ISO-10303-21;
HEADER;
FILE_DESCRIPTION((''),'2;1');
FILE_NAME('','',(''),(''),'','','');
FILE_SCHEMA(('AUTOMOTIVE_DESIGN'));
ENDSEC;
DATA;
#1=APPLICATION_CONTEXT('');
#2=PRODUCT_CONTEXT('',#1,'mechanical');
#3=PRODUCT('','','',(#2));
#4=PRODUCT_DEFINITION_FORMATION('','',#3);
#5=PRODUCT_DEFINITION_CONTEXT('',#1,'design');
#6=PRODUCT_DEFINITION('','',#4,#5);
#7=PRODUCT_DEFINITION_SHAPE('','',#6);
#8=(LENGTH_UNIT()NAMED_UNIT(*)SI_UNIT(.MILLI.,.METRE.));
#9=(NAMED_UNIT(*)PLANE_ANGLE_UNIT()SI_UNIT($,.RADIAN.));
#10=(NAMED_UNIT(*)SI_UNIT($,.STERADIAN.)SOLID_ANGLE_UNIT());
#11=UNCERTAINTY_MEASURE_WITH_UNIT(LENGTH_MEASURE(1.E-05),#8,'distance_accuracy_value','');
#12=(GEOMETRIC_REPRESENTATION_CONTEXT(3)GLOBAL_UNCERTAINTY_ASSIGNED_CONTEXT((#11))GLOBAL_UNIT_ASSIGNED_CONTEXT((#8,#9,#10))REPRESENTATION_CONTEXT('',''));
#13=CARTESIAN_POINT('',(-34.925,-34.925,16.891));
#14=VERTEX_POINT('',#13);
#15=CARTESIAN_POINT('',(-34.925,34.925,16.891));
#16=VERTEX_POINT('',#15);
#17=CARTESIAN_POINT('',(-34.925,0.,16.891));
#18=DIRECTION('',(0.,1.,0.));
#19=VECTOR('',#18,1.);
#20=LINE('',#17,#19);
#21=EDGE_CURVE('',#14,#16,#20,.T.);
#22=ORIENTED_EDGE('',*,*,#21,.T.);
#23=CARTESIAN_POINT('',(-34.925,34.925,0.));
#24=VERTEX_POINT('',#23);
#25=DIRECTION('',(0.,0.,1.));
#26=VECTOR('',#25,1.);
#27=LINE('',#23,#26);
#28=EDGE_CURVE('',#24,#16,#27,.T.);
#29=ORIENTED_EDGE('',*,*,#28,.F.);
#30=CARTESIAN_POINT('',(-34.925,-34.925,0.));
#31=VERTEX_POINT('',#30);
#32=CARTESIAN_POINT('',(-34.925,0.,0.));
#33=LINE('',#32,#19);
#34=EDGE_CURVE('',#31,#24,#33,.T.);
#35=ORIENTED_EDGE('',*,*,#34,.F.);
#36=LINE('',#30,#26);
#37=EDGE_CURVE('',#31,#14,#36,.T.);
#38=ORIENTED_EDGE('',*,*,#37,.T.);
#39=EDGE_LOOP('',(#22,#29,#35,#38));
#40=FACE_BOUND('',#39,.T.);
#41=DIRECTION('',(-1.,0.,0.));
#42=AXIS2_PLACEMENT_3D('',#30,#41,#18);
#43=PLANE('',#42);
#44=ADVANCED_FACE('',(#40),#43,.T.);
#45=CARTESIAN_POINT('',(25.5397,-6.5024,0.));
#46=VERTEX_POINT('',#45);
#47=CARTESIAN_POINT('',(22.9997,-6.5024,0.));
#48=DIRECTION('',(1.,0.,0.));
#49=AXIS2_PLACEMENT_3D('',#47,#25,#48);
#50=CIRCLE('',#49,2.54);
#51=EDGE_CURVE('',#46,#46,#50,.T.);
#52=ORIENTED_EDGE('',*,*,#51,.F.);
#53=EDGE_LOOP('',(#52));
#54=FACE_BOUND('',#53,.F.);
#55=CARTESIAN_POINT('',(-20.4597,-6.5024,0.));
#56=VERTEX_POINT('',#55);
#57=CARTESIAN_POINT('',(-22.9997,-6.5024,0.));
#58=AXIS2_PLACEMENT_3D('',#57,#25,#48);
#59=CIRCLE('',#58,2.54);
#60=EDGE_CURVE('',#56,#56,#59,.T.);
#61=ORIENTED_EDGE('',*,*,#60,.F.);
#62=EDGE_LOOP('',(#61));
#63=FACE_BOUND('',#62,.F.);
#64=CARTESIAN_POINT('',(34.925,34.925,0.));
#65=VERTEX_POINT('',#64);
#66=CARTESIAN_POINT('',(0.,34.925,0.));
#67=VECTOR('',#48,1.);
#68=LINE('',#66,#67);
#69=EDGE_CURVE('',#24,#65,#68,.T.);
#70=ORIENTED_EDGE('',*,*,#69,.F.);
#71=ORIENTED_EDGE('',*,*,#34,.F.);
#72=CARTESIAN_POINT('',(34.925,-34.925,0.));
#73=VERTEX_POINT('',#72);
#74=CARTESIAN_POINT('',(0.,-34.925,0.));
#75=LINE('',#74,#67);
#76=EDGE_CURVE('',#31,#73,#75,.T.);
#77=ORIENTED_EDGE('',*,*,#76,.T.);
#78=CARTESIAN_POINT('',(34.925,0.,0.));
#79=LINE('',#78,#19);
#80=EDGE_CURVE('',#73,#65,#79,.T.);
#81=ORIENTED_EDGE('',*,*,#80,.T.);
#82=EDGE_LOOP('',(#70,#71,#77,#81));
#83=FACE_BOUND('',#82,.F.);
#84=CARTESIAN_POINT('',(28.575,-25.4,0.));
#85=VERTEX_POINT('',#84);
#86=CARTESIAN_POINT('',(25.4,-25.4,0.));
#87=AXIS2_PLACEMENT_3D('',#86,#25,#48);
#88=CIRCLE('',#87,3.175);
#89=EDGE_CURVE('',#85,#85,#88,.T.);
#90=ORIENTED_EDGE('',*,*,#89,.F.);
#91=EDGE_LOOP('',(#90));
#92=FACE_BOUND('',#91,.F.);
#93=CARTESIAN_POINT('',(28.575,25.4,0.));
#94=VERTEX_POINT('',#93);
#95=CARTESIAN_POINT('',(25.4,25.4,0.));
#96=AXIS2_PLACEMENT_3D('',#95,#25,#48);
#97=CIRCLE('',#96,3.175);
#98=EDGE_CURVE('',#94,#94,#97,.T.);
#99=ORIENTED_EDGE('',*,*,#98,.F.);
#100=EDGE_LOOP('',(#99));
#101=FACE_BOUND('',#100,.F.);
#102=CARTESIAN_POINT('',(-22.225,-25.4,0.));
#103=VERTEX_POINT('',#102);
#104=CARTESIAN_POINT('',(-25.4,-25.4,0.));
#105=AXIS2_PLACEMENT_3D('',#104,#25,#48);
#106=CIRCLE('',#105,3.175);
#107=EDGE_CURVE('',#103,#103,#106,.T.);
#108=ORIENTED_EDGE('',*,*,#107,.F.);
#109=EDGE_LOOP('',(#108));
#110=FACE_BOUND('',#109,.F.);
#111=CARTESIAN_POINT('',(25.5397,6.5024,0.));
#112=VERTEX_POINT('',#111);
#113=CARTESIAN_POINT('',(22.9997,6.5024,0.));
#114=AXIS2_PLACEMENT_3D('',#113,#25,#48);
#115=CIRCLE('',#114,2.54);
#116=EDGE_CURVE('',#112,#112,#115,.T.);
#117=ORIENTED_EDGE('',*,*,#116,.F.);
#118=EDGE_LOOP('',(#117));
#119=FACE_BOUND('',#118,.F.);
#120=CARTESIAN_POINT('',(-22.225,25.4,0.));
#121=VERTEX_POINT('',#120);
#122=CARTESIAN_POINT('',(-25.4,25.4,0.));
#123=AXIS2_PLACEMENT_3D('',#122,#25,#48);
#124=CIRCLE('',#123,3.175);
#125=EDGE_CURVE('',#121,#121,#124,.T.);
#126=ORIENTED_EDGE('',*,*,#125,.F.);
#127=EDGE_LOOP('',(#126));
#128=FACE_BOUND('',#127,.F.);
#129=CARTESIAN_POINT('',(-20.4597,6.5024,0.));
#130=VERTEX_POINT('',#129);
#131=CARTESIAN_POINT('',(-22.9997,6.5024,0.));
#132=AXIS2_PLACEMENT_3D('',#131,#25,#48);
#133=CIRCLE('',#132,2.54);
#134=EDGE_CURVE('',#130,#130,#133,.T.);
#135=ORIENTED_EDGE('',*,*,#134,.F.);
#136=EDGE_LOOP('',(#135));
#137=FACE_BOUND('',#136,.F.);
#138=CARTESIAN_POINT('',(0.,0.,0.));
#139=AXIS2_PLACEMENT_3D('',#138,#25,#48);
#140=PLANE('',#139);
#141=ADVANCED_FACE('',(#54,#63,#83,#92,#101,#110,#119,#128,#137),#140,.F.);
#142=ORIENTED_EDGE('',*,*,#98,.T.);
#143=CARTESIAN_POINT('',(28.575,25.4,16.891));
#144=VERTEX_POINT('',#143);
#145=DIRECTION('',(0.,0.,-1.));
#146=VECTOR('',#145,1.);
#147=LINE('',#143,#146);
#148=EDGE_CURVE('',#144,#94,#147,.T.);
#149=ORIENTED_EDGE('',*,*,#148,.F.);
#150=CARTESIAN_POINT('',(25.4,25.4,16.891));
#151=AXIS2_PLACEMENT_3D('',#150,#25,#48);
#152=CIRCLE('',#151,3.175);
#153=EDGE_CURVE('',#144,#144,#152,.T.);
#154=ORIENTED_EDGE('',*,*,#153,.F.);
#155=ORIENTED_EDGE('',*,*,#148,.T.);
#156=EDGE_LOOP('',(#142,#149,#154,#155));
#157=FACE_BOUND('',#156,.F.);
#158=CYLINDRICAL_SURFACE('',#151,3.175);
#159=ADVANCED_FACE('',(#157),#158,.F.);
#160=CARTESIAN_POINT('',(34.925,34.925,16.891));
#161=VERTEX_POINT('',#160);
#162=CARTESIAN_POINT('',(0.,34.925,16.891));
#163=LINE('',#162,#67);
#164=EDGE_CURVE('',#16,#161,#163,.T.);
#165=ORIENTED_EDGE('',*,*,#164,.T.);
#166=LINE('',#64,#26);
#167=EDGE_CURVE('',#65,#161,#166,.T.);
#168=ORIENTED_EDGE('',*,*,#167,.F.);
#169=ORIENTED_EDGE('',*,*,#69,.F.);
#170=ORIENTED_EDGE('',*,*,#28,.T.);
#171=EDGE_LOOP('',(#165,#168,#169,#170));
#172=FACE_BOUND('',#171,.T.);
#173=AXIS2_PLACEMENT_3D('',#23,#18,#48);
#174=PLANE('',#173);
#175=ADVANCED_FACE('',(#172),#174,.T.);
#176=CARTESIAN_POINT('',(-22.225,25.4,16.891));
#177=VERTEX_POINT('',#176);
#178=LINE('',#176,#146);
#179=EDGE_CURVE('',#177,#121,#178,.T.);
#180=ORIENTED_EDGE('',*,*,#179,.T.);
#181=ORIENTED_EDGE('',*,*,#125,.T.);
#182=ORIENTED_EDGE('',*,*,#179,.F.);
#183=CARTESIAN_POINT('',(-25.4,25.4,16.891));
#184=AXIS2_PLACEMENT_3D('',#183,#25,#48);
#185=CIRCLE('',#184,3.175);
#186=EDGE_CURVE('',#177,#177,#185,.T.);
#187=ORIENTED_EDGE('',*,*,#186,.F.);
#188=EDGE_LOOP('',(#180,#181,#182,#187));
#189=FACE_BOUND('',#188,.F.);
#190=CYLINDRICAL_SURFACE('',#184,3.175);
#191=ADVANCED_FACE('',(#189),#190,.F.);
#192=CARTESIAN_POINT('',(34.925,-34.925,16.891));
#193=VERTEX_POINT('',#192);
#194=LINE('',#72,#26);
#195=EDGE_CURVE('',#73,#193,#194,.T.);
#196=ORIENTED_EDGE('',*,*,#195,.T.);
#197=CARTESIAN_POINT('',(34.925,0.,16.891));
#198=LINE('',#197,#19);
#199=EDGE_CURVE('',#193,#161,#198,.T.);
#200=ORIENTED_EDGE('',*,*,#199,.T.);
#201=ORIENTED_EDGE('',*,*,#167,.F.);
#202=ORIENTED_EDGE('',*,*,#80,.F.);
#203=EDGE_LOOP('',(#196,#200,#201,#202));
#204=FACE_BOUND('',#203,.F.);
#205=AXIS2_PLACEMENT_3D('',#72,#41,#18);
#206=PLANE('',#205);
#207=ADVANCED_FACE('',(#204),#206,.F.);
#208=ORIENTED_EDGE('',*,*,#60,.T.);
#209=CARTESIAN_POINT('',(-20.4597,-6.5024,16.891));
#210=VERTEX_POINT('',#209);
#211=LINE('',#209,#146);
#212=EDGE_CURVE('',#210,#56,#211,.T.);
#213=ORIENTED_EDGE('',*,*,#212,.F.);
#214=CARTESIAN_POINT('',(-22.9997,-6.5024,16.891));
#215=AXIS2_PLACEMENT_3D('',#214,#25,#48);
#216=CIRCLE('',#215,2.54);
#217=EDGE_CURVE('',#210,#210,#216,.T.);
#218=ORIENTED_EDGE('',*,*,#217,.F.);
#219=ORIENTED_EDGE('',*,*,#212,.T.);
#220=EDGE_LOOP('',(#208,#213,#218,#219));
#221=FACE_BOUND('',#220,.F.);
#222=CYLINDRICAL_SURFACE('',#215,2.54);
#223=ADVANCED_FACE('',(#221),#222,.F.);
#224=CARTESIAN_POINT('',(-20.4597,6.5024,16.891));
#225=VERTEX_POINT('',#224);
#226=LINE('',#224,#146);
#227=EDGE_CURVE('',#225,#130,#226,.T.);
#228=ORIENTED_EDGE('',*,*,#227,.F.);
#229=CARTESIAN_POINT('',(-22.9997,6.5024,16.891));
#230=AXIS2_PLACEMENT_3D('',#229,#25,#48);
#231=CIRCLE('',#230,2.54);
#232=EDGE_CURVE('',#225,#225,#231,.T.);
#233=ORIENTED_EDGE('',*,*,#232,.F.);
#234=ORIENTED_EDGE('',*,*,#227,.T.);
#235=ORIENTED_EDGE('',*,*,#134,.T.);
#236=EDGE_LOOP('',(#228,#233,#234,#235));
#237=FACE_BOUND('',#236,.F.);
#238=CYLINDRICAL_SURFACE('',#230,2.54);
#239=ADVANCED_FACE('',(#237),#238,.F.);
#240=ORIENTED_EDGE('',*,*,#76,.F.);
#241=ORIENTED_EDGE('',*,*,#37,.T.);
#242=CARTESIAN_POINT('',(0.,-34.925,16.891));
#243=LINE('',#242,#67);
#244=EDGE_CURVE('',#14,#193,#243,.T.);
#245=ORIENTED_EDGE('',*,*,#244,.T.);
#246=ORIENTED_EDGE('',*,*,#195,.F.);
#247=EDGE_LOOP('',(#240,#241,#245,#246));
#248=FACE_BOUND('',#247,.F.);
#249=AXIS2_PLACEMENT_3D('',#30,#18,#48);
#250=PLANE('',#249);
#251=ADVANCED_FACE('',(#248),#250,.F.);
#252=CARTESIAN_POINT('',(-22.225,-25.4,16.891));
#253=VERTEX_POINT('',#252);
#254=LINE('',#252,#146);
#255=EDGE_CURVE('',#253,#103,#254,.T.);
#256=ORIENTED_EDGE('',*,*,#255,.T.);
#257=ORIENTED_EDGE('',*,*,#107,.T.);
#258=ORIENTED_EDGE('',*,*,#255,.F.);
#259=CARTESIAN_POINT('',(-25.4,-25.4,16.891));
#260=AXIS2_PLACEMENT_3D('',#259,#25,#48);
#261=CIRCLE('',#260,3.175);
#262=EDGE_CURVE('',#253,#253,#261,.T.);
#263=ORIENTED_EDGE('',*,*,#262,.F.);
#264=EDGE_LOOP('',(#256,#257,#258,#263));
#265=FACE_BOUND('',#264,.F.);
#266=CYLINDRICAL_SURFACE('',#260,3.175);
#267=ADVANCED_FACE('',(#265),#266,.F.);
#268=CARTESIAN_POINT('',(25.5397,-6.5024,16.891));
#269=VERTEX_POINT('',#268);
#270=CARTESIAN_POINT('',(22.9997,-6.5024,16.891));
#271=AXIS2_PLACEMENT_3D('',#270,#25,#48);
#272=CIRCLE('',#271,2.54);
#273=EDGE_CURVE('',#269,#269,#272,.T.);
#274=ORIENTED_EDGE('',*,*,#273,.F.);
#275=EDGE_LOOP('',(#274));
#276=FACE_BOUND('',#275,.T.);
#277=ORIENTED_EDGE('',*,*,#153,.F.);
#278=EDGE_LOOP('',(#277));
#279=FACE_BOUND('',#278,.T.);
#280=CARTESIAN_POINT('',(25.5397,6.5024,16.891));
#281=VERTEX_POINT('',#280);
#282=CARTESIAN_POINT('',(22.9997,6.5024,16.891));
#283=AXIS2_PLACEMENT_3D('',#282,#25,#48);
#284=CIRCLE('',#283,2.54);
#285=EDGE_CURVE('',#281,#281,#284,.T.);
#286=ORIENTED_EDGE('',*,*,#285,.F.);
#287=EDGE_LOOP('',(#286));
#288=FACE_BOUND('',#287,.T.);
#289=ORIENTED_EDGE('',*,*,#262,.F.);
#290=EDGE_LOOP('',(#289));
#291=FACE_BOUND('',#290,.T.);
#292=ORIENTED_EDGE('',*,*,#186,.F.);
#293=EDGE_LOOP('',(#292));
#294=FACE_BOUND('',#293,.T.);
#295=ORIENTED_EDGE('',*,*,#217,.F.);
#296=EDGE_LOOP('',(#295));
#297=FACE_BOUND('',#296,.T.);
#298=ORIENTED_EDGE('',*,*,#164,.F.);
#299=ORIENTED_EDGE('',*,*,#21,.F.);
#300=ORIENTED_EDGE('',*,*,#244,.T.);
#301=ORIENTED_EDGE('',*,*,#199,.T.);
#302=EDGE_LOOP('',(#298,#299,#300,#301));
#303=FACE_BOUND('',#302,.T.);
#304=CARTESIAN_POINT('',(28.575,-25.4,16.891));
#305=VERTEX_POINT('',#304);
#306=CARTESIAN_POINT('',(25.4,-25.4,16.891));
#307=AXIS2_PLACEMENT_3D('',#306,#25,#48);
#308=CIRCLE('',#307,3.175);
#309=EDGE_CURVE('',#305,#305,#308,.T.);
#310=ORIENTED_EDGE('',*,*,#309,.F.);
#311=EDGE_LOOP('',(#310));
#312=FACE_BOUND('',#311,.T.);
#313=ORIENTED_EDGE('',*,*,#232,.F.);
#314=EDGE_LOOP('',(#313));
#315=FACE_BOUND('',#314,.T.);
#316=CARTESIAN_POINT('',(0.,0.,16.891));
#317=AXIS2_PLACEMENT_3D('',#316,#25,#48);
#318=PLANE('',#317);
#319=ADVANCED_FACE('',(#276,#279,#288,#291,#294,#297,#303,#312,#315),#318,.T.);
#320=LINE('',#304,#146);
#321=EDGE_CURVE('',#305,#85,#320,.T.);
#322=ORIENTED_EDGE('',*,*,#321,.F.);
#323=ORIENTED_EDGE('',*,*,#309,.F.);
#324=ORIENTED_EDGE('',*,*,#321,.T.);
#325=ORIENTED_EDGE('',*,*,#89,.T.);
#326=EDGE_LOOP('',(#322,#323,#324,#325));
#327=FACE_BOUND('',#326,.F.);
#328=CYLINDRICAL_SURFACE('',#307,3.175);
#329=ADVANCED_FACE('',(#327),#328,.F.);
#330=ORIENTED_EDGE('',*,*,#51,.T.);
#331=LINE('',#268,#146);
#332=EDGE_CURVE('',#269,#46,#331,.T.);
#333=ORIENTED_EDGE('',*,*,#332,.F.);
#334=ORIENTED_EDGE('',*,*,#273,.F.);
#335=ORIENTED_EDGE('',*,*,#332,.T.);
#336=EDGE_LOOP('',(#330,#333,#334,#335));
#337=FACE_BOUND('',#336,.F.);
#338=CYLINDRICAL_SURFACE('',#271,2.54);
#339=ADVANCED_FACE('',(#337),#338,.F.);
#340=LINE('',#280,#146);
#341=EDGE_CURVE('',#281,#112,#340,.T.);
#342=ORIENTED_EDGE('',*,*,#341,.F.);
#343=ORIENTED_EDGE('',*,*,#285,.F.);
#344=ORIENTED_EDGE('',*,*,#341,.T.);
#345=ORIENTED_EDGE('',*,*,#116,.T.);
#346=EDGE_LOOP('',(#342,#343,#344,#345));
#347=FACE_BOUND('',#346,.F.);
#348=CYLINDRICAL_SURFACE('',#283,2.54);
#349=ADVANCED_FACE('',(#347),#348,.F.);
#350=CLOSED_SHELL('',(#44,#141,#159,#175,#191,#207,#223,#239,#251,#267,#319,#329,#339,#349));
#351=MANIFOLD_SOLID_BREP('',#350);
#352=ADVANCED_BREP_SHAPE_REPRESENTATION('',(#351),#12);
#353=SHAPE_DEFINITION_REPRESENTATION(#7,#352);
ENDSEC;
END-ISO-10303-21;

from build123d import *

# Parameters (mm, degrees)
F0_W     = 69.85
F0_H     = 69.85
F1_DEPTH = 16.891
F2_R     = 2.54
F3_DEPTH = 16.892
F4_R     = 3.175
F5_DEPTH = 16.892


with BuildPart() as f1:
    # F0 (on Top) → F1 (new body)
    with BuildSketch(Plane.XY):
        Rectangle(F0_W, F0_H)
    extrude(amount=F1_DEPTH)

    # F2 (on face) → F3 (cut, through all)
    with BuildSketch(Plane.XY.offset(16.891)):
        with Locations((-22.9997, 6.5024)):
            Circle(F2_R)
        with Locations((22.9997, 6.5024)):
            Circle(F2_R)
        with Locations((22.9997, -6.5024)):
            Circle(F2_R)
        with Locations((-22.9997, -6.5024)):
            Circle(F2_R)
    extrude(amount=-F3_DEPTH, mode=Mode.SUBTRACT)

    # F4 (on face) → F5 (cut, through all)
    with BuildSketch(Plane.XY.offset(16.891)):
        with Locations((-25.4, 25.4)):
            Circle(F4_R)
        with Locations((25.4, 25.4)):
            Circle(F4_R)
        with Locations((-25.4, -25.4)):
            Circle(F4_R)
        with Locations((25.4, -25.4)):
            Circle(F4_R)
    extrude(amount=-F5_DEPTH, mode=Mode.SUBTRACT)


solid = f1.part
